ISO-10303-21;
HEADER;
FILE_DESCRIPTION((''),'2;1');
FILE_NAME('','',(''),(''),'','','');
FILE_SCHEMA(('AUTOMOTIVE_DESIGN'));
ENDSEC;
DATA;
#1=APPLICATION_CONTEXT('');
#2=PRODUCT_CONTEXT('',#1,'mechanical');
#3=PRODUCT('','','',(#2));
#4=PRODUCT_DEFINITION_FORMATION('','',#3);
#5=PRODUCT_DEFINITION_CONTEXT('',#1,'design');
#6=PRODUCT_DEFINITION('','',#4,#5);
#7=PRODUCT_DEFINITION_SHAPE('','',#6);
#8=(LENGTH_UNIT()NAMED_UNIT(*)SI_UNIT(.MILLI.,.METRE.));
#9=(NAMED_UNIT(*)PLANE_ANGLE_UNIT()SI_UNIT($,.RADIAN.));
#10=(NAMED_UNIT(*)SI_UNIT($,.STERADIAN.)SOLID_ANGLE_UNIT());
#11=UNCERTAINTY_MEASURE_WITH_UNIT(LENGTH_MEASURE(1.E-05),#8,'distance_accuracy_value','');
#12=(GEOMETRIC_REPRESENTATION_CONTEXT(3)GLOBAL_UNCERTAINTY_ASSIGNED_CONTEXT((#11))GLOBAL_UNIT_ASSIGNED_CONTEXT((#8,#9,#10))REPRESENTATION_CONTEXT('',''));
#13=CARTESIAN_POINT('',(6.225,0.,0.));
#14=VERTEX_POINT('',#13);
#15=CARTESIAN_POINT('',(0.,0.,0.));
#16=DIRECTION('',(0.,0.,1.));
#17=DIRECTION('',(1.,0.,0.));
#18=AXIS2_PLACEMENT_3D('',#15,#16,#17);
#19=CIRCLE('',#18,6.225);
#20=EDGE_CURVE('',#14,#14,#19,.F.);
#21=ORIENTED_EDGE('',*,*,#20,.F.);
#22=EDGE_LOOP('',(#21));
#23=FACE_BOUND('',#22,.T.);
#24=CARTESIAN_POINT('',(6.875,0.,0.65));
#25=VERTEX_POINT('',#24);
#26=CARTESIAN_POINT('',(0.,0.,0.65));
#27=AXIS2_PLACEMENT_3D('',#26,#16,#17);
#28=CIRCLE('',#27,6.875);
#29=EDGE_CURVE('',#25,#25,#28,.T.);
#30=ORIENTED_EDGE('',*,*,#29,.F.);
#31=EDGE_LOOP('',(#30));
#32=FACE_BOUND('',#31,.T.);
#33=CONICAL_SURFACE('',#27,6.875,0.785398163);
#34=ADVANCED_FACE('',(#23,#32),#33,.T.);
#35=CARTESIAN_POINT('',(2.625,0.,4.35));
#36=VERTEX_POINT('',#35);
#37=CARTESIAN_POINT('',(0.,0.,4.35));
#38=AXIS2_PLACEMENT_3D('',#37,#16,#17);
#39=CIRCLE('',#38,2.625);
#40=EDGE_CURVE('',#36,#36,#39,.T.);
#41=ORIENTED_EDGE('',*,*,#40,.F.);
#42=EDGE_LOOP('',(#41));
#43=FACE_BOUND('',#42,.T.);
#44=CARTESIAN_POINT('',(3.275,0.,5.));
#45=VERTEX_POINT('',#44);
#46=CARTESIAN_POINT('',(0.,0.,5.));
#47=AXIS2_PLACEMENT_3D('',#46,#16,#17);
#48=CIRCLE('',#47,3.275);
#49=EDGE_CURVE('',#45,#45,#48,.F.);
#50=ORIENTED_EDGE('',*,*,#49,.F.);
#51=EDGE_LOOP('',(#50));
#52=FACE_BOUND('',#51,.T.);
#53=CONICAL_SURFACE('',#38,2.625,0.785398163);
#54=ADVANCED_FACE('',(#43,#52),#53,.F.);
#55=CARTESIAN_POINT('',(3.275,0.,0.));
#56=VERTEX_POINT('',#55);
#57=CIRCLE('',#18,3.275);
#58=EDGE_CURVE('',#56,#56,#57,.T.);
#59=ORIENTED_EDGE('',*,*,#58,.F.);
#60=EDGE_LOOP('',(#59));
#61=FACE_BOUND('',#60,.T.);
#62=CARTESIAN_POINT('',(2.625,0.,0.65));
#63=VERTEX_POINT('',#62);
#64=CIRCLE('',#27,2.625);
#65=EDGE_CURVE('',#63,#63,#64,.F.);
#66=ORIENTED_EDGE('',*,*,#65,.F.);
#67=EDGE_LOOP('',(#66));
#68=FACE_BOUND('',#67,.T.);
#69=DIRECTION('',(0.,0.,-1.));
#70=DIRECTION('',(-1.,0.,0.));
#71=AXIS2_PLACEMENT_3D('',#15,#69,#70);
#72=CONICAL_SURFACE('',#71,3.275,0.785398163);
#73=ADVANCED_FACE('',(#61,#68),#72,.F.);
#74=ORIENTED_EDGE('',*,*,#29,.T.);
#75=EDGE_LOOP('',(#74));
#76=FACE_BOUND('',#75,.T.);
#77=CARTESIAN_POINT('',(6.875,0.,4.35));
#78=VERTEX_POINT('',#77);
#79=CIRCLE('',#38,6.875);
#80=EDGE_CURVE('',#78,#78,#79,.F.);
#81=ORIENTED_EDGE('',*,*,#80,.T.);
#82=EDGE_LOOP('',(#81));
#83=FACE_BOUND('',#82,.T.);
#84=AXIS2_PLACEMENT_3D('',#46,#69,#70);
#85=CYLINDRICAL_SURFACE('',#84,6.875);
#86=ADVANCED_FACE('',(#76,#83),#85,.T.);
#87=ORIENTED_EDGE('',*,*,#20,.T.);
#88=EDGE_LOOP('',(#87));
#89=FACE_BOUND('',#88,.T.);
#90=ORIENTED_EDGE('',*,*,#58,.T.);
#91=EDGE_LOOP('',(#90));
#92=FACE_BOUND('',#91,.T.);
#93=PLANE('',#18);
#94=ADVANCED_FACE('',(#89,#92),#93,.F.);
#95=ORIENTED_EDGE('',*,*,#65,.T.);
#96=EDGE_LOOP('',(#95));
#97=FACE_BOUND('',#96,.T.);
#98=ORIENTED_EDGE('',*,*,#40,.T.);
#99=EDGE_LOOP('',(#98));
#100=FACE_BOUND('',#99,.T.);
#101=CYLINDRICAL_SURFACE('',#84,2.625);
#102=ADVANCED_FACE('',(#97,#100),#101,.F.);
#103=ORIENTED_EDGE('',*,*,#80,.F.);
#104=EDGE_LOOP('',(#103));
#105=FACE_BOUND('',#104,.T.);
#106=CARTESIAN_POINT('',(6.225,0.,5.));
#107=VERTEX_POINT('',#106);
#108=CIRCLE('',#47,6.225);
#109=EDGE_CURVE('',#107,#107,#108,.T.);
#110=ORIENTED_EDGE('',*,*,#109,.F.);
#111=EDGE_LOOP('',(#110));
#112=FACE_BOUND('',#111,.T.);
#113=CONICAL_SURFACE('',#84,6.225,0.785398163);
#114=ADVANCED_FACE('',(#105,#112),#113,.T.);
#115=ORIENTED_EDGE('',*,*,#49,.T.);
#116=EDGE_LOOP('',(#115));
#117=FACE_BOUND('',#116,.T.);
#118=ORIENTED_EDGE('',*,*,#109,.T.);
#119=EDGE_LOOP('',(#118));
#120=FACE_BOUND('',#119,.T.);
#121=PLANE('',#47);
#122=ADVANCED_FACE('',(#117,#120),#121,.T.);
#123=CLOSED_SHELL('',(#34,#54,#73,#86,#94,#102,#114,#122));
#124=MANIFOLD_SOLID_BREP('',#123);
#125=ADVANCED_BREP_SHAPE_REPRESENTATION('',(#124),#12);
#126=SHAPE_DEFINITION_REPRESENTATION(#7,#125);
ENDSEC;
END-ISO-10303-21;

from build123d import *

# Parameters (mm, degrees)
SKETCH1_R           = 6.875
SKETCH1_R_2         = 2.625
BOSS_EXTRUDE1_DEPTH = 5
CHAMFER1_SIZE       = 0.65


with BuildPart() as part:
    # Sketch1 → Boss-Extrude1 (new body)
    with BuildSketch(Plane.XY):
        Circle(SKETCH1_R)
        Circle(SKETCH1_R_2, mode=Mode.SUBTRACT)
    extrude(amount=BOSS_EXTRUDE1_DEPTH)

    # Chamfer1
    chamfer1_edges = [part.edges().sort_by_distance(p)[0] for p in [
        (-6.875, 0, 0),
        (-6.875, 0, 5),
        (-2.625, 0, 0),
        (-2.625, 0, 5),
    ]]
    chamfer(chamfer1_edges, length=CHAMFER1_SIZE)


solid = part.part
